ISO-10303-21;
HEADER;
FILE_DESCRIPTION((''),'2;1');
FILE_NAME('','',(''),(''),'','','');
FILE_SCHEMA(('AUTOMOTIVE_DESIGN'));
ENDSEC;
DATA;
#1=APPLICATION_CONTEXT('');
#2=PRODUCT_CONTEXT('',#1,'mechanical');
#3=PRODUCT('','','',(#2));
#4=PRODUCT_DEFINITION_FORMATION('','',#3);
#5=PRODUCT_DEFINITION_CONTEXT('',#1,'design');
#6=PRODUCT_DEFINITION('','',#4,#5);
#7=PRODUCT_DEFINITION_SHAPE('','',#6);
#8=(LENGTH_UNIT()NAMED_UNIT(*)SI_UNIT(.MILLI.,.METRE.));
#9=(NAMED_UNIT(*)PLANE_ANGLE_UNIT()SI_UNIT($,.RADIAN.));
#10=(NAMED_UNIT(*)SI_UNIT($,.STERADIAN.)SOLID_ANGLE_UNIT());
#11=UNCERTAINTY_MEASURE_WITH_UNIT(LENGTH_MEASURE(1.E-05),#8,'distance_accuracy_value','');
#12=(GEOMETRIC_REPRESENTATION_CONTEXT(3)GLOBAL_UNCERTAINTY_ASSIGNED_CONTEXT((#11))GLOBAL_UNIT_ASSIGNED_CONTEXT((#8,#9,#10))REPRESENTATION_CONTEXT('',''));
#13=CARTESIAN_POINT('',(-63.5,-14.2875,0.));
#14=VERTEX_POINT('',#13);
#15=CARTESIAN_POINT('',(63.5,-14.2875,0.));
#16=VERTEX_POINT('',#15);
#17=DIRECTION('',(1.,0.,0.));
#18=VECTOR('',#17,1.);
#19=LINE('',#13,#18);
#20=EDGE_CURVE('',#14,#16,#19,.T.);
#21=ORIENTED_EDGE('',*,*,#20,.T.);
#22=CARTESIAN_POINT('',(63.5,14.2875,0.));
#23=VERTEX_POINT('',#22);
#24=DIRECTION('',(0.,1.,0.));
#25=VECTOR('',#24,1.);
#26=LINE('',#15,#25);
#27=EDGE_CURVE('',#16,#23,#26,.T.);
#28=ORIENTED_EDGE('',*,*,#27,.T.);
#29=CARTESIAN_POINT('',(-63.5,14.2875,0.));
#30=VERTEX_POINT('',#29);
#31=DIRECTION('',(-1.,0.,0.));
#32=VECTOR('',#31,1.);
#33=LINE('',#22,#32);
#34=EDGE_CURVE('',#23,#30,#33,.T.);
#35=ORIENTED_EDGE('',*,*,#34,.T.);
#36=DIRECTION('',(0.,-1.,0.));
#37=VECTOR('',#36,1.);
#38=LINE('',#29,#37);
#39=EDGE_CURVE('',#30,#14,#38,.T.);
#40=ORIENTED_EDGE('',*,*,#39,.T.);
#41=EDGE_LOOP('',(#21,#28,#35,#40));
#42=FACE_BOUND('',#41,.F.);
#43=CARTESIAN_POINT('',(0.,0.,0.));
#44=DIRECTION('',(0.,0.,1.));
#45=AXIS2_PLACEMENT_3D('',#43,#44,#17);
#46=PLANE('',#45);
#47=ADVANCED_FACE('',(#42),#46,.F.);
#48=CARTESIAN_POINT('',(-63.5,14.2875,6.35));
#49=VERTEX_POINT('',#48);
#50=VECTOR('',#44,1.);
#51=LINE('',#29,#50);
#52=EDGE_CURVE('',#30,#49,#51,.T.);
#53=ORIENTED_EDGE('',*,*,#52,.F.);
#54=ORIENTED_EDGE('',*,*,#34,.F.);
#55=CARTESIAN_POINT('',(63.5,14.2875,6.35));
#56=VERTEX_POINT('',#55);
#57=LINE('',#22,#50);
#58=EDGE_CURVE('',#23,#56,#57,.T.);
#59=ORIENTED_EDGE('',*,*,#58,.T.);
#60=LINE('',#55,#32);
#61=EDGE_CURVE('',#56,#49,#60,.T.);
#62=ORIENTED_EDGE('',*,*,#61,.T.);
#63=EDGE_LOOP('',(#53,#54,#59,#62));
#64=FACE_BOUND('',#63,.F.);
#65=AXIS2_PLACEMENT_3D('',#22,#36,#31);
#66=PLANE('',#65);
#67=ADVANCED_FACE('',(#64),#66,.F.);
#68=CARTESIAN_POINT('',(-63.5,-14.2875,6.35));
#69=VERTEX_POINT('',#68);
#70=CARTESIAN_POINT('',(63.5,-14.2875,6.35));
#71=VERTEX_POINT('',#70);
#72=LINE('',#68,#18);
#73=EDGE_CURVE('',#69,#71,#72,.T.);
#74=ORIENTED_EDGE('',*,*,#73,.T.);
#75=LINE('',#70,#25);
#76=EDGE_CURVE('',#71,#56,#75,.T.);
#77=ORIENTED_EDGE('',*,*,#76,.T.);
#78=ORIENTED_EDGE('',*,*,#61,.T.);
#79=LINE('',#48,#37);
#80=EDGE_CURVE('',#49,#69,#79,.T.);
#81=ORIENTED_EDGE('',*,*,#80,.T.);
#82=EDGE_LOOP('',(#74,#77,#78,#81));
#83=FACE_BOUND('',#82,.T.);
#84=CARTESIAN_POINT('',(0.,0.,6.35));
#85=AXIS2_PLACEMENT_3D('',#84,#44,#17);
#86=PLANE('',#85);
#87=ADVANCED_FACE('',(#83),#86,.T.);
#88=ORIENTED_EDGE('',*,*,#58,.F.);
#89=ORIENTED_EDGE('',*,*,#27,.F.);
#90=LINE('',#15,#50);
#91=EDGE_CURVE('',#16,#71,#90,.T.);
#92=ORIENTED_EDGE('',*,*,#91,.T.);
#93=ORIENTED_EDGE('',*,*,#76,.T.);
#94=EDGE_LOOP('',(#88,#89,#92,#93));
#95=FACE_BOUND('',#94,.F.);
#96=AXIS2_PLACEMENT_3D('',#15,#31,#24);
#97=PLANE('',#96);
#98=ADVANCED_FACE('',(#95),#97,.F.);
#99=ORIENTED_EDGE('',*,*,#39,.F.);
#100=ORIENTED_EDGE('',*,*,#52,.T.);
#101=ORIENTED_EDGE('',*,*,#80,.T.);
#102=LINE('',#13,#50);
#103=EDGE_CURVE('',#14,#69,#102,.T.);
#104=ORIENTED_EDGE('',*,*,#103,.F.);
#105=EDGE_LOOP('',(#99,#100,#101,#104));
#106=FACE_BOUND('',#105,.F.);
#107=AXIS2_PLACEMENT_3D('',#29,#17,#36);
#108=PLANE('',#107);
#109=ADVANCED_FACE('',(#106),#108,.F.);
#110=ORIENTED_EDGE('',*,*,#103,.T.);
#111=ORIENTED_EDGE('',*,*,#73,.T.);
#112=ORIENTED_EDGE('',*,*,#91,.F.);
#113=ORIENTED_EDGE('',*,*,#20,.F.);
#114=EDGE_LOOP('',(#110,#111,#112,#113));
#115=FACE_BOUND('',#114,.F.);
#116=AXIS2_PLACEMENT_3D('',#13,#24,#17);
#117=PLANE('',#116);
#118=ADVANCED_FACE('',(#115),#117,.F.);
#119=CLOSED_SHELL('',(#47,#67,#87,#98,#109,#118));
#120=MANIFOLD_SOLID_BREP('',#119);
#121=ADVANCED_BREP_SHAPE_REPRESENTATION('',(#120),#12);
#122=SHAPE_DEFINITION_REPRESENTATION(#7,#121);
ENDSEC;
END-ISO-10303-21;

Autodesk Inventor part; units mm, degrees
ref_plane "YZ Plane" through (0, 0, 0) normal (1, 0, 0) x (0, 1, 0)
ref_plane "XZ Plane" through (0, 0, 0) normal (0, 1, 0) x (-1, 0, 0)
ref_plane "XY Plane" through (0, 0, 0) normal (0, 0, 1) x (1, 0, 0)
sketch "Sketch1" plane through (0, 0, 0) normal (0, 0, 1) x (1, 0, 0)
  line L0 (-63.5, -14.2875) -> (63.5, -14.2875)
  line L1 (63.5, -14.2875) -> (63.5, 14.2875)
  line L2 (63.5, 14.2875) -> (-63.5, 14.2875)
  line L3 (-63.5, 14.2875) -> (-63.5, -14.2875)
  line L4 (-63.5, -14.2875) -> (63.5, 14.2875) construction
  line L5 (63.5, -14.2875) -> (-63.5, 14.2875) construction
  point P0 (0, 0)
  dimension "d0" = 127
  dimension "d1" = 28.575
extrude "Extrusion1" add sketch "Sketch1" along normal blind 6.35
properties part number "Back Plate" material "UHMW, White"
